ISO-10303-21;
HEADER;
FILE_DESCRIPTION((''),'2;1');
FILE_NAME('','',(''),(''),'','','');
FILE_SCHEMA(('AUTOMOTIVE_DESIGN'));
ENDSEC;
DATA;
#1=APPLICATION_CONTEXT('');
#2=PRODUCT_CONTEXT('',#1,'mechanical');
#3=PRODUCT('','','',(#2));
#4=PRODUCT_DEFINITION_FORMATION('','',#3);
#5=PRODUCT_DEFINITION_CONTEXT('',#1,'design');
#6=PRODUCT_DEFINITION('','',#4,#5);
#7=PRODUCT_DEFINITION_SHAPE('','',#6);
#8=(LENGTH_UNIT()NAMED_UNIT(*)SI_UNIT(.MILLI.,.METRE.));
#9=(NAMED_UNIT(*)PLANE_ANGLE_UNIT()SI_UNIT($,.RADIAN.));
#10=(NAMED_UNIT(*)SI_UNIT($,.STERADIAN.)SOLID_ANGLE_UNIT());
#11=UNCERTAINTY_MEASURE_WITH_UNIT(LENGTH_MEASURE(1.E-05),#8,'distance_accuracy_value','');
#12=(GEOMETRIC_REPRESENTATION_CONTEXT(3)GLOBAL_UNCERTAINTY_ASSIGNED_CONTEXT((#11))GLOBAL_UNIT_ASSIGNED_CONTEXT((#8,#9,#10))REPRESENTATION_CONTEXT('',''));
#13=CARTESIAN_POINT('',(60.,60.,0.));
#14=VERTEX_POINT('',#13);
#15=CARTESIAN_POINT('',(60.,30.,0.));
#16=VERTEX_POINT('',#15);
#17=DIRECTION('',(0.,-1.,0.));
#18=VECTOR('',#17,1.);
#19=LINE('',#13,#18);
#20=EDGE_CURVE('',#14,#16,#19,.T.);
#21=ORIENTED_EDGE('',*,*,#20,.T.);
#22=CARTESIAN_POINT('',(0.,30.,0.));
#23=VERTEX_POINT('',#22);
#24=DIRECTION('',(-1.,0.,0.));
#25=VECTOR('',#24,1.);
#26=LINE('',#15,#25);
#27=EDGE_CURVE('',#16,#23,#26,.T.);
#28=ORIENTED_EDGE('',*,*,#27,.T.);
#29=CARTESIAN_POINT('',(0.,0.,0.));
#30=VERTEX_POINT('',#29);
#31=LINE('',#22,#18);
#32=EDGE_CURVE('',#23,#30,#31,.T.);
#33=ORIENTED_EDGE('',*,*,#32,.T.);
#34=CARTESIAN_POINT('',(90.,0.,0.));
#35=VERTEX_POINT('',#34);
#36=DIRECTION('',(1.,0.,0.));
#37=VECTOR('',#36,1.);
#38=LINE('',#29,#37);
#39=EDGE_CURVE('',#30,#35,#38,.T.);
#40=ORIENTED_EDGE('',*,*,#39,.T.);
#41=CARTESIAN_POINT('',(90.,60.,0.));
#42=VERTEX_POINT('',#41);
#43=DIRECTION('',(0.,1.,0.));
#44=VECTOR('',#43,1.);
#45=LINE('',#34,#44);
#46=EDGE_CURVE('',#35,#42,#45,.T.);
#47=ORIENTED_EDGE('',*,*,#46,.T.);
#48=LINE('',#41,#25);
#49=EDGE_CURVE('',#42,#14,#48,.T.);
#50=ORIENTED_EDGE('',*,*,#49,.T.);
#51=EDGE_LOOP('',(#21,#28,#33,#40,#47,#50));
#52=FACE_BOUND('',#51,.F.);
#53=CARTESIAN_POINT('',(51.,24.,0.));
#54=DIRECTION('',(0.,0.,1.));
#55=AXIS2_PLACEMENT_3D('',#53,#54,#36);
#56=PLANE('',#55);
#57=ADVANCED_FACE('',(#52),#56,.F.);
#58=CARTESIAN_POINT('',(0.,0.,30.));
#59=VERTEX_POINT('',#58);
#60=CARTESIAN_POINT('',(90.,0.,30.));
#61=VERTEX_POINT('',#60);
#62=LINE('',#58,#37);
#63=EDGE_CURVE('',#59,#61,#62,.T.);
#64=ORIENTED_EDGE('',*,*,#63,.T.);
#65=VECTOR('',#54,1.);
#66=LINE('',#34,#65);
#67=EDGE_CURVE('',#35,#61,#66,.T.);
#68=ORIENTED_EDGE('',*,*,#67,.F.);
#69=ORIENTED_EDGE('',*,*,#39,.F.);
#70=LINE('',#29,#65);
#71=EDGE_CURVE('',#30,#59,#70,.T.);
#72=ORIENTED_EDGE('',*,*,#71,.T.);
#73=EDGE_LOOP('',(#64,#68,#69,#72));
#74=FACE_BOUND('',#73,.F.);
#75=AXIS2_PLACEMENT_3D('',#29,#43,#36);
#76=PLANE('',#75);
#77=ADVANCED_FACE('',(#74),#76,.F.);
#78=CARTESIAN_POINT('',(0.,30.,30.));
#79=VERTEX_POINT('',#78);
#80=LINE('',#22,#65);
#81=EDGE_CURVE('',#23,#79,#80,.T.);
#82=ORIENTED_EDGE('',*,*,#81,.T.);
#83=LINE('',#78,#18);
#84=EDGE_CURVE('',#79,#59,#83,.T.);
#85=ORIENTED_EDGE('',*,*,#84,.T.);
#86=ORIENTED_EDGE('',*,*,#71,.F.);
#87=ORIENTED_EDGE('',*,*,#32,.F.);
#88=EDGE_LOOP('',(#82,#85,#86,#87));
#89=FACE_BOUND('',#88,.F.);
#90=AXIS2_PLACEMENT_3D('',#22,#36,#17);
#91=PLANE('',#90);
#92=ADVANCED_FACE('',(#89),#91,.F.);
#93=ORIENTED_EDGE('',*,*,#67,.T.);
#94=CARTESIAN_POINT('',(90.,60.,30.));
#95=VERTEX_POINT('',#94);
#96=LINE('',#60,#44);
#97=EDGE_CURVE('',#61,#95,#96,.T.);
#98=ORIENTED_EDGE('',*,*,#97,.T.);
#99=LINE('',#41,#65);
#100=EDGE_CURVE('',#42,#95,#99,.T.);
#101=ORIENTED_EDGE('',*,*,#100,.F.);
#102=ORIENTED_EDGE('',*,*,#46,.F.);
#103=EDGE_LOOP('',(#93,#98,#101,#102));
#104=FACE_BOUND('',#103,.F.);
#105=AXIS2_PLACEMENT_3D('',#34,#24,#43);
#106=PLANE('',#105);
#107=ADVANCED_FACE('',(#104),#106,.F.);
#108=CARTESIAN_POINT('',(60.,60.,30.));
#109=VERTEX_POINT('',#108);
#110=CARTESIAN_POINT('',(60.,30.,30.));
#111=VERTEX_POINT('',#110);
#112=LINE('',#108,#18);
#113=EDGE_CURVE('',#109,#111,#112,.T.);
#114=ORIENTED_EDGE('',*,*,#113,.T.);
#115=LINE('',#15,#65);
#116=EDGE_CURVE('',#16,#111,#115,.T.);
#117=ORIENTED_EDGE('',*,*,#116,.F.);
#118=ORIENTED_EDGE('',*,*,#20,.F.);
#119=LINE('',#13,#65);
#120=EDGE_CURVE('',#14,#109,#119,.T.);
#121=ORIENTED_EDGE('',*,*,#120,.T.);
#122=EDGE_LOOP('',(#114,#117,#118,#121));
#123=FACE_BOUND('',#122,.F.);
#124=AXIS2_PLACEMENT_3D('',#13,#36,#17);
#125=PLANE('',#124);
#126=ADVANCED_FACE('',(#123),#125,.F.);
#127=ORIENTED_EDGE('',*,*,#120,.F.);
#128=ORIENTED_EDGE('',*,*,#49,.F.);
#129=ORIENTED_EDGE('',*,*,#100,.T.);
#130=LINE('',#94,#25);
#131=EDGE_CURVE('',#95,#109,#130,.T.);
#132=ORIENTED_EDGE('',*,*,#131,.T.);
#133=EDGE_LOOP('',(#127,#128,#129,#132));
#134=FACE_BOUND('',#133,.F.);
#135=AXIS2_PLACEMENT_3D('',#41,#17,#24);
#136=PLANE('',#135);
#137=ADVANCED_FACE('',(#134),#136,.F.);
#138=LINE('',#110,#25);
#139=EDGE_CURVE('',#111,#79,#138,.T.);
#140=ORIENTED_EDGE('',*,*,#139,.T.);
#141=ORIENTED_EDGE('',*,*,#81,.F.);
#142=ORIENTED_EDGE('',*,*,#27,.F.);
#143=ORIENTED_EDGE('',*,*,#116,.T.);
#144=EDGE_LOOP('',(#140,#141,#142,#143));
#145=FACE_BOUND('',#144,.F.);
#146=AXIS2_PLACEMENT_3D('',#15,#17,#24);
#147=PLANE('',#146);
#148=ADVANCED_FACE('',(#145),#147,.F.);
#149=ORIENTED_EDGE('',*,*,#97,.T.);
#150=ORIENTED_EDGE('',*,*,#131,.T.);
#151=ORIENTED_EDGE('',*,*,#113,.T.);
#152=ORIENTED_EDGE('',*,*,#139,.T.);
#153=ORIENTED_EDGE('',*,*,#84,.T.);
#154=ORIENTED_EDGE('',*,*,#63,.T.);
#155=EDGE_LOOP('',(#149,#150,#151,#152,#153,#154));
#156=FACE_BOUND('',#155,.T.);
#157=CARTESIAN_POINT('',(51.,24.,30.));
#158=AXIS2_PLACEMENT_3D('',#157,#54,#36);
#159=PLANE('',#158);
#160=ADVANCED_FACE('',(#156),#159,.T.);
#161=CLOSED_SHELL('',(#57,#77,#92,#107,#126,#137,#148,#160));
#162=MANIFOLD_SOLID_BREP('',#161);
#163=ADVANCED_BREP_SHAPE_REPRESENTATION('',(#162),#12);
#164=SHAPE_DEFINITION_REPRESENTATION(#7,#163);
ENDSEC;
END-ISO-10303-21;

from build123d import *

# Parameters (mm, degrees)
BOSS_EXTRU_1_DEPTH = 30


with BuildPart() as part:
    # Esquisse2 → Boss.-Extru.1 (new body)
    with BuildSketch(Plane.XY):
        Polygon((0, 0), (90, 0), (90, 60), (60, 60), (60, 30), (0, 30), align=None)
    extrude(amount=BOSS_EXTRU_1_DEPTH)


solid = part.part
